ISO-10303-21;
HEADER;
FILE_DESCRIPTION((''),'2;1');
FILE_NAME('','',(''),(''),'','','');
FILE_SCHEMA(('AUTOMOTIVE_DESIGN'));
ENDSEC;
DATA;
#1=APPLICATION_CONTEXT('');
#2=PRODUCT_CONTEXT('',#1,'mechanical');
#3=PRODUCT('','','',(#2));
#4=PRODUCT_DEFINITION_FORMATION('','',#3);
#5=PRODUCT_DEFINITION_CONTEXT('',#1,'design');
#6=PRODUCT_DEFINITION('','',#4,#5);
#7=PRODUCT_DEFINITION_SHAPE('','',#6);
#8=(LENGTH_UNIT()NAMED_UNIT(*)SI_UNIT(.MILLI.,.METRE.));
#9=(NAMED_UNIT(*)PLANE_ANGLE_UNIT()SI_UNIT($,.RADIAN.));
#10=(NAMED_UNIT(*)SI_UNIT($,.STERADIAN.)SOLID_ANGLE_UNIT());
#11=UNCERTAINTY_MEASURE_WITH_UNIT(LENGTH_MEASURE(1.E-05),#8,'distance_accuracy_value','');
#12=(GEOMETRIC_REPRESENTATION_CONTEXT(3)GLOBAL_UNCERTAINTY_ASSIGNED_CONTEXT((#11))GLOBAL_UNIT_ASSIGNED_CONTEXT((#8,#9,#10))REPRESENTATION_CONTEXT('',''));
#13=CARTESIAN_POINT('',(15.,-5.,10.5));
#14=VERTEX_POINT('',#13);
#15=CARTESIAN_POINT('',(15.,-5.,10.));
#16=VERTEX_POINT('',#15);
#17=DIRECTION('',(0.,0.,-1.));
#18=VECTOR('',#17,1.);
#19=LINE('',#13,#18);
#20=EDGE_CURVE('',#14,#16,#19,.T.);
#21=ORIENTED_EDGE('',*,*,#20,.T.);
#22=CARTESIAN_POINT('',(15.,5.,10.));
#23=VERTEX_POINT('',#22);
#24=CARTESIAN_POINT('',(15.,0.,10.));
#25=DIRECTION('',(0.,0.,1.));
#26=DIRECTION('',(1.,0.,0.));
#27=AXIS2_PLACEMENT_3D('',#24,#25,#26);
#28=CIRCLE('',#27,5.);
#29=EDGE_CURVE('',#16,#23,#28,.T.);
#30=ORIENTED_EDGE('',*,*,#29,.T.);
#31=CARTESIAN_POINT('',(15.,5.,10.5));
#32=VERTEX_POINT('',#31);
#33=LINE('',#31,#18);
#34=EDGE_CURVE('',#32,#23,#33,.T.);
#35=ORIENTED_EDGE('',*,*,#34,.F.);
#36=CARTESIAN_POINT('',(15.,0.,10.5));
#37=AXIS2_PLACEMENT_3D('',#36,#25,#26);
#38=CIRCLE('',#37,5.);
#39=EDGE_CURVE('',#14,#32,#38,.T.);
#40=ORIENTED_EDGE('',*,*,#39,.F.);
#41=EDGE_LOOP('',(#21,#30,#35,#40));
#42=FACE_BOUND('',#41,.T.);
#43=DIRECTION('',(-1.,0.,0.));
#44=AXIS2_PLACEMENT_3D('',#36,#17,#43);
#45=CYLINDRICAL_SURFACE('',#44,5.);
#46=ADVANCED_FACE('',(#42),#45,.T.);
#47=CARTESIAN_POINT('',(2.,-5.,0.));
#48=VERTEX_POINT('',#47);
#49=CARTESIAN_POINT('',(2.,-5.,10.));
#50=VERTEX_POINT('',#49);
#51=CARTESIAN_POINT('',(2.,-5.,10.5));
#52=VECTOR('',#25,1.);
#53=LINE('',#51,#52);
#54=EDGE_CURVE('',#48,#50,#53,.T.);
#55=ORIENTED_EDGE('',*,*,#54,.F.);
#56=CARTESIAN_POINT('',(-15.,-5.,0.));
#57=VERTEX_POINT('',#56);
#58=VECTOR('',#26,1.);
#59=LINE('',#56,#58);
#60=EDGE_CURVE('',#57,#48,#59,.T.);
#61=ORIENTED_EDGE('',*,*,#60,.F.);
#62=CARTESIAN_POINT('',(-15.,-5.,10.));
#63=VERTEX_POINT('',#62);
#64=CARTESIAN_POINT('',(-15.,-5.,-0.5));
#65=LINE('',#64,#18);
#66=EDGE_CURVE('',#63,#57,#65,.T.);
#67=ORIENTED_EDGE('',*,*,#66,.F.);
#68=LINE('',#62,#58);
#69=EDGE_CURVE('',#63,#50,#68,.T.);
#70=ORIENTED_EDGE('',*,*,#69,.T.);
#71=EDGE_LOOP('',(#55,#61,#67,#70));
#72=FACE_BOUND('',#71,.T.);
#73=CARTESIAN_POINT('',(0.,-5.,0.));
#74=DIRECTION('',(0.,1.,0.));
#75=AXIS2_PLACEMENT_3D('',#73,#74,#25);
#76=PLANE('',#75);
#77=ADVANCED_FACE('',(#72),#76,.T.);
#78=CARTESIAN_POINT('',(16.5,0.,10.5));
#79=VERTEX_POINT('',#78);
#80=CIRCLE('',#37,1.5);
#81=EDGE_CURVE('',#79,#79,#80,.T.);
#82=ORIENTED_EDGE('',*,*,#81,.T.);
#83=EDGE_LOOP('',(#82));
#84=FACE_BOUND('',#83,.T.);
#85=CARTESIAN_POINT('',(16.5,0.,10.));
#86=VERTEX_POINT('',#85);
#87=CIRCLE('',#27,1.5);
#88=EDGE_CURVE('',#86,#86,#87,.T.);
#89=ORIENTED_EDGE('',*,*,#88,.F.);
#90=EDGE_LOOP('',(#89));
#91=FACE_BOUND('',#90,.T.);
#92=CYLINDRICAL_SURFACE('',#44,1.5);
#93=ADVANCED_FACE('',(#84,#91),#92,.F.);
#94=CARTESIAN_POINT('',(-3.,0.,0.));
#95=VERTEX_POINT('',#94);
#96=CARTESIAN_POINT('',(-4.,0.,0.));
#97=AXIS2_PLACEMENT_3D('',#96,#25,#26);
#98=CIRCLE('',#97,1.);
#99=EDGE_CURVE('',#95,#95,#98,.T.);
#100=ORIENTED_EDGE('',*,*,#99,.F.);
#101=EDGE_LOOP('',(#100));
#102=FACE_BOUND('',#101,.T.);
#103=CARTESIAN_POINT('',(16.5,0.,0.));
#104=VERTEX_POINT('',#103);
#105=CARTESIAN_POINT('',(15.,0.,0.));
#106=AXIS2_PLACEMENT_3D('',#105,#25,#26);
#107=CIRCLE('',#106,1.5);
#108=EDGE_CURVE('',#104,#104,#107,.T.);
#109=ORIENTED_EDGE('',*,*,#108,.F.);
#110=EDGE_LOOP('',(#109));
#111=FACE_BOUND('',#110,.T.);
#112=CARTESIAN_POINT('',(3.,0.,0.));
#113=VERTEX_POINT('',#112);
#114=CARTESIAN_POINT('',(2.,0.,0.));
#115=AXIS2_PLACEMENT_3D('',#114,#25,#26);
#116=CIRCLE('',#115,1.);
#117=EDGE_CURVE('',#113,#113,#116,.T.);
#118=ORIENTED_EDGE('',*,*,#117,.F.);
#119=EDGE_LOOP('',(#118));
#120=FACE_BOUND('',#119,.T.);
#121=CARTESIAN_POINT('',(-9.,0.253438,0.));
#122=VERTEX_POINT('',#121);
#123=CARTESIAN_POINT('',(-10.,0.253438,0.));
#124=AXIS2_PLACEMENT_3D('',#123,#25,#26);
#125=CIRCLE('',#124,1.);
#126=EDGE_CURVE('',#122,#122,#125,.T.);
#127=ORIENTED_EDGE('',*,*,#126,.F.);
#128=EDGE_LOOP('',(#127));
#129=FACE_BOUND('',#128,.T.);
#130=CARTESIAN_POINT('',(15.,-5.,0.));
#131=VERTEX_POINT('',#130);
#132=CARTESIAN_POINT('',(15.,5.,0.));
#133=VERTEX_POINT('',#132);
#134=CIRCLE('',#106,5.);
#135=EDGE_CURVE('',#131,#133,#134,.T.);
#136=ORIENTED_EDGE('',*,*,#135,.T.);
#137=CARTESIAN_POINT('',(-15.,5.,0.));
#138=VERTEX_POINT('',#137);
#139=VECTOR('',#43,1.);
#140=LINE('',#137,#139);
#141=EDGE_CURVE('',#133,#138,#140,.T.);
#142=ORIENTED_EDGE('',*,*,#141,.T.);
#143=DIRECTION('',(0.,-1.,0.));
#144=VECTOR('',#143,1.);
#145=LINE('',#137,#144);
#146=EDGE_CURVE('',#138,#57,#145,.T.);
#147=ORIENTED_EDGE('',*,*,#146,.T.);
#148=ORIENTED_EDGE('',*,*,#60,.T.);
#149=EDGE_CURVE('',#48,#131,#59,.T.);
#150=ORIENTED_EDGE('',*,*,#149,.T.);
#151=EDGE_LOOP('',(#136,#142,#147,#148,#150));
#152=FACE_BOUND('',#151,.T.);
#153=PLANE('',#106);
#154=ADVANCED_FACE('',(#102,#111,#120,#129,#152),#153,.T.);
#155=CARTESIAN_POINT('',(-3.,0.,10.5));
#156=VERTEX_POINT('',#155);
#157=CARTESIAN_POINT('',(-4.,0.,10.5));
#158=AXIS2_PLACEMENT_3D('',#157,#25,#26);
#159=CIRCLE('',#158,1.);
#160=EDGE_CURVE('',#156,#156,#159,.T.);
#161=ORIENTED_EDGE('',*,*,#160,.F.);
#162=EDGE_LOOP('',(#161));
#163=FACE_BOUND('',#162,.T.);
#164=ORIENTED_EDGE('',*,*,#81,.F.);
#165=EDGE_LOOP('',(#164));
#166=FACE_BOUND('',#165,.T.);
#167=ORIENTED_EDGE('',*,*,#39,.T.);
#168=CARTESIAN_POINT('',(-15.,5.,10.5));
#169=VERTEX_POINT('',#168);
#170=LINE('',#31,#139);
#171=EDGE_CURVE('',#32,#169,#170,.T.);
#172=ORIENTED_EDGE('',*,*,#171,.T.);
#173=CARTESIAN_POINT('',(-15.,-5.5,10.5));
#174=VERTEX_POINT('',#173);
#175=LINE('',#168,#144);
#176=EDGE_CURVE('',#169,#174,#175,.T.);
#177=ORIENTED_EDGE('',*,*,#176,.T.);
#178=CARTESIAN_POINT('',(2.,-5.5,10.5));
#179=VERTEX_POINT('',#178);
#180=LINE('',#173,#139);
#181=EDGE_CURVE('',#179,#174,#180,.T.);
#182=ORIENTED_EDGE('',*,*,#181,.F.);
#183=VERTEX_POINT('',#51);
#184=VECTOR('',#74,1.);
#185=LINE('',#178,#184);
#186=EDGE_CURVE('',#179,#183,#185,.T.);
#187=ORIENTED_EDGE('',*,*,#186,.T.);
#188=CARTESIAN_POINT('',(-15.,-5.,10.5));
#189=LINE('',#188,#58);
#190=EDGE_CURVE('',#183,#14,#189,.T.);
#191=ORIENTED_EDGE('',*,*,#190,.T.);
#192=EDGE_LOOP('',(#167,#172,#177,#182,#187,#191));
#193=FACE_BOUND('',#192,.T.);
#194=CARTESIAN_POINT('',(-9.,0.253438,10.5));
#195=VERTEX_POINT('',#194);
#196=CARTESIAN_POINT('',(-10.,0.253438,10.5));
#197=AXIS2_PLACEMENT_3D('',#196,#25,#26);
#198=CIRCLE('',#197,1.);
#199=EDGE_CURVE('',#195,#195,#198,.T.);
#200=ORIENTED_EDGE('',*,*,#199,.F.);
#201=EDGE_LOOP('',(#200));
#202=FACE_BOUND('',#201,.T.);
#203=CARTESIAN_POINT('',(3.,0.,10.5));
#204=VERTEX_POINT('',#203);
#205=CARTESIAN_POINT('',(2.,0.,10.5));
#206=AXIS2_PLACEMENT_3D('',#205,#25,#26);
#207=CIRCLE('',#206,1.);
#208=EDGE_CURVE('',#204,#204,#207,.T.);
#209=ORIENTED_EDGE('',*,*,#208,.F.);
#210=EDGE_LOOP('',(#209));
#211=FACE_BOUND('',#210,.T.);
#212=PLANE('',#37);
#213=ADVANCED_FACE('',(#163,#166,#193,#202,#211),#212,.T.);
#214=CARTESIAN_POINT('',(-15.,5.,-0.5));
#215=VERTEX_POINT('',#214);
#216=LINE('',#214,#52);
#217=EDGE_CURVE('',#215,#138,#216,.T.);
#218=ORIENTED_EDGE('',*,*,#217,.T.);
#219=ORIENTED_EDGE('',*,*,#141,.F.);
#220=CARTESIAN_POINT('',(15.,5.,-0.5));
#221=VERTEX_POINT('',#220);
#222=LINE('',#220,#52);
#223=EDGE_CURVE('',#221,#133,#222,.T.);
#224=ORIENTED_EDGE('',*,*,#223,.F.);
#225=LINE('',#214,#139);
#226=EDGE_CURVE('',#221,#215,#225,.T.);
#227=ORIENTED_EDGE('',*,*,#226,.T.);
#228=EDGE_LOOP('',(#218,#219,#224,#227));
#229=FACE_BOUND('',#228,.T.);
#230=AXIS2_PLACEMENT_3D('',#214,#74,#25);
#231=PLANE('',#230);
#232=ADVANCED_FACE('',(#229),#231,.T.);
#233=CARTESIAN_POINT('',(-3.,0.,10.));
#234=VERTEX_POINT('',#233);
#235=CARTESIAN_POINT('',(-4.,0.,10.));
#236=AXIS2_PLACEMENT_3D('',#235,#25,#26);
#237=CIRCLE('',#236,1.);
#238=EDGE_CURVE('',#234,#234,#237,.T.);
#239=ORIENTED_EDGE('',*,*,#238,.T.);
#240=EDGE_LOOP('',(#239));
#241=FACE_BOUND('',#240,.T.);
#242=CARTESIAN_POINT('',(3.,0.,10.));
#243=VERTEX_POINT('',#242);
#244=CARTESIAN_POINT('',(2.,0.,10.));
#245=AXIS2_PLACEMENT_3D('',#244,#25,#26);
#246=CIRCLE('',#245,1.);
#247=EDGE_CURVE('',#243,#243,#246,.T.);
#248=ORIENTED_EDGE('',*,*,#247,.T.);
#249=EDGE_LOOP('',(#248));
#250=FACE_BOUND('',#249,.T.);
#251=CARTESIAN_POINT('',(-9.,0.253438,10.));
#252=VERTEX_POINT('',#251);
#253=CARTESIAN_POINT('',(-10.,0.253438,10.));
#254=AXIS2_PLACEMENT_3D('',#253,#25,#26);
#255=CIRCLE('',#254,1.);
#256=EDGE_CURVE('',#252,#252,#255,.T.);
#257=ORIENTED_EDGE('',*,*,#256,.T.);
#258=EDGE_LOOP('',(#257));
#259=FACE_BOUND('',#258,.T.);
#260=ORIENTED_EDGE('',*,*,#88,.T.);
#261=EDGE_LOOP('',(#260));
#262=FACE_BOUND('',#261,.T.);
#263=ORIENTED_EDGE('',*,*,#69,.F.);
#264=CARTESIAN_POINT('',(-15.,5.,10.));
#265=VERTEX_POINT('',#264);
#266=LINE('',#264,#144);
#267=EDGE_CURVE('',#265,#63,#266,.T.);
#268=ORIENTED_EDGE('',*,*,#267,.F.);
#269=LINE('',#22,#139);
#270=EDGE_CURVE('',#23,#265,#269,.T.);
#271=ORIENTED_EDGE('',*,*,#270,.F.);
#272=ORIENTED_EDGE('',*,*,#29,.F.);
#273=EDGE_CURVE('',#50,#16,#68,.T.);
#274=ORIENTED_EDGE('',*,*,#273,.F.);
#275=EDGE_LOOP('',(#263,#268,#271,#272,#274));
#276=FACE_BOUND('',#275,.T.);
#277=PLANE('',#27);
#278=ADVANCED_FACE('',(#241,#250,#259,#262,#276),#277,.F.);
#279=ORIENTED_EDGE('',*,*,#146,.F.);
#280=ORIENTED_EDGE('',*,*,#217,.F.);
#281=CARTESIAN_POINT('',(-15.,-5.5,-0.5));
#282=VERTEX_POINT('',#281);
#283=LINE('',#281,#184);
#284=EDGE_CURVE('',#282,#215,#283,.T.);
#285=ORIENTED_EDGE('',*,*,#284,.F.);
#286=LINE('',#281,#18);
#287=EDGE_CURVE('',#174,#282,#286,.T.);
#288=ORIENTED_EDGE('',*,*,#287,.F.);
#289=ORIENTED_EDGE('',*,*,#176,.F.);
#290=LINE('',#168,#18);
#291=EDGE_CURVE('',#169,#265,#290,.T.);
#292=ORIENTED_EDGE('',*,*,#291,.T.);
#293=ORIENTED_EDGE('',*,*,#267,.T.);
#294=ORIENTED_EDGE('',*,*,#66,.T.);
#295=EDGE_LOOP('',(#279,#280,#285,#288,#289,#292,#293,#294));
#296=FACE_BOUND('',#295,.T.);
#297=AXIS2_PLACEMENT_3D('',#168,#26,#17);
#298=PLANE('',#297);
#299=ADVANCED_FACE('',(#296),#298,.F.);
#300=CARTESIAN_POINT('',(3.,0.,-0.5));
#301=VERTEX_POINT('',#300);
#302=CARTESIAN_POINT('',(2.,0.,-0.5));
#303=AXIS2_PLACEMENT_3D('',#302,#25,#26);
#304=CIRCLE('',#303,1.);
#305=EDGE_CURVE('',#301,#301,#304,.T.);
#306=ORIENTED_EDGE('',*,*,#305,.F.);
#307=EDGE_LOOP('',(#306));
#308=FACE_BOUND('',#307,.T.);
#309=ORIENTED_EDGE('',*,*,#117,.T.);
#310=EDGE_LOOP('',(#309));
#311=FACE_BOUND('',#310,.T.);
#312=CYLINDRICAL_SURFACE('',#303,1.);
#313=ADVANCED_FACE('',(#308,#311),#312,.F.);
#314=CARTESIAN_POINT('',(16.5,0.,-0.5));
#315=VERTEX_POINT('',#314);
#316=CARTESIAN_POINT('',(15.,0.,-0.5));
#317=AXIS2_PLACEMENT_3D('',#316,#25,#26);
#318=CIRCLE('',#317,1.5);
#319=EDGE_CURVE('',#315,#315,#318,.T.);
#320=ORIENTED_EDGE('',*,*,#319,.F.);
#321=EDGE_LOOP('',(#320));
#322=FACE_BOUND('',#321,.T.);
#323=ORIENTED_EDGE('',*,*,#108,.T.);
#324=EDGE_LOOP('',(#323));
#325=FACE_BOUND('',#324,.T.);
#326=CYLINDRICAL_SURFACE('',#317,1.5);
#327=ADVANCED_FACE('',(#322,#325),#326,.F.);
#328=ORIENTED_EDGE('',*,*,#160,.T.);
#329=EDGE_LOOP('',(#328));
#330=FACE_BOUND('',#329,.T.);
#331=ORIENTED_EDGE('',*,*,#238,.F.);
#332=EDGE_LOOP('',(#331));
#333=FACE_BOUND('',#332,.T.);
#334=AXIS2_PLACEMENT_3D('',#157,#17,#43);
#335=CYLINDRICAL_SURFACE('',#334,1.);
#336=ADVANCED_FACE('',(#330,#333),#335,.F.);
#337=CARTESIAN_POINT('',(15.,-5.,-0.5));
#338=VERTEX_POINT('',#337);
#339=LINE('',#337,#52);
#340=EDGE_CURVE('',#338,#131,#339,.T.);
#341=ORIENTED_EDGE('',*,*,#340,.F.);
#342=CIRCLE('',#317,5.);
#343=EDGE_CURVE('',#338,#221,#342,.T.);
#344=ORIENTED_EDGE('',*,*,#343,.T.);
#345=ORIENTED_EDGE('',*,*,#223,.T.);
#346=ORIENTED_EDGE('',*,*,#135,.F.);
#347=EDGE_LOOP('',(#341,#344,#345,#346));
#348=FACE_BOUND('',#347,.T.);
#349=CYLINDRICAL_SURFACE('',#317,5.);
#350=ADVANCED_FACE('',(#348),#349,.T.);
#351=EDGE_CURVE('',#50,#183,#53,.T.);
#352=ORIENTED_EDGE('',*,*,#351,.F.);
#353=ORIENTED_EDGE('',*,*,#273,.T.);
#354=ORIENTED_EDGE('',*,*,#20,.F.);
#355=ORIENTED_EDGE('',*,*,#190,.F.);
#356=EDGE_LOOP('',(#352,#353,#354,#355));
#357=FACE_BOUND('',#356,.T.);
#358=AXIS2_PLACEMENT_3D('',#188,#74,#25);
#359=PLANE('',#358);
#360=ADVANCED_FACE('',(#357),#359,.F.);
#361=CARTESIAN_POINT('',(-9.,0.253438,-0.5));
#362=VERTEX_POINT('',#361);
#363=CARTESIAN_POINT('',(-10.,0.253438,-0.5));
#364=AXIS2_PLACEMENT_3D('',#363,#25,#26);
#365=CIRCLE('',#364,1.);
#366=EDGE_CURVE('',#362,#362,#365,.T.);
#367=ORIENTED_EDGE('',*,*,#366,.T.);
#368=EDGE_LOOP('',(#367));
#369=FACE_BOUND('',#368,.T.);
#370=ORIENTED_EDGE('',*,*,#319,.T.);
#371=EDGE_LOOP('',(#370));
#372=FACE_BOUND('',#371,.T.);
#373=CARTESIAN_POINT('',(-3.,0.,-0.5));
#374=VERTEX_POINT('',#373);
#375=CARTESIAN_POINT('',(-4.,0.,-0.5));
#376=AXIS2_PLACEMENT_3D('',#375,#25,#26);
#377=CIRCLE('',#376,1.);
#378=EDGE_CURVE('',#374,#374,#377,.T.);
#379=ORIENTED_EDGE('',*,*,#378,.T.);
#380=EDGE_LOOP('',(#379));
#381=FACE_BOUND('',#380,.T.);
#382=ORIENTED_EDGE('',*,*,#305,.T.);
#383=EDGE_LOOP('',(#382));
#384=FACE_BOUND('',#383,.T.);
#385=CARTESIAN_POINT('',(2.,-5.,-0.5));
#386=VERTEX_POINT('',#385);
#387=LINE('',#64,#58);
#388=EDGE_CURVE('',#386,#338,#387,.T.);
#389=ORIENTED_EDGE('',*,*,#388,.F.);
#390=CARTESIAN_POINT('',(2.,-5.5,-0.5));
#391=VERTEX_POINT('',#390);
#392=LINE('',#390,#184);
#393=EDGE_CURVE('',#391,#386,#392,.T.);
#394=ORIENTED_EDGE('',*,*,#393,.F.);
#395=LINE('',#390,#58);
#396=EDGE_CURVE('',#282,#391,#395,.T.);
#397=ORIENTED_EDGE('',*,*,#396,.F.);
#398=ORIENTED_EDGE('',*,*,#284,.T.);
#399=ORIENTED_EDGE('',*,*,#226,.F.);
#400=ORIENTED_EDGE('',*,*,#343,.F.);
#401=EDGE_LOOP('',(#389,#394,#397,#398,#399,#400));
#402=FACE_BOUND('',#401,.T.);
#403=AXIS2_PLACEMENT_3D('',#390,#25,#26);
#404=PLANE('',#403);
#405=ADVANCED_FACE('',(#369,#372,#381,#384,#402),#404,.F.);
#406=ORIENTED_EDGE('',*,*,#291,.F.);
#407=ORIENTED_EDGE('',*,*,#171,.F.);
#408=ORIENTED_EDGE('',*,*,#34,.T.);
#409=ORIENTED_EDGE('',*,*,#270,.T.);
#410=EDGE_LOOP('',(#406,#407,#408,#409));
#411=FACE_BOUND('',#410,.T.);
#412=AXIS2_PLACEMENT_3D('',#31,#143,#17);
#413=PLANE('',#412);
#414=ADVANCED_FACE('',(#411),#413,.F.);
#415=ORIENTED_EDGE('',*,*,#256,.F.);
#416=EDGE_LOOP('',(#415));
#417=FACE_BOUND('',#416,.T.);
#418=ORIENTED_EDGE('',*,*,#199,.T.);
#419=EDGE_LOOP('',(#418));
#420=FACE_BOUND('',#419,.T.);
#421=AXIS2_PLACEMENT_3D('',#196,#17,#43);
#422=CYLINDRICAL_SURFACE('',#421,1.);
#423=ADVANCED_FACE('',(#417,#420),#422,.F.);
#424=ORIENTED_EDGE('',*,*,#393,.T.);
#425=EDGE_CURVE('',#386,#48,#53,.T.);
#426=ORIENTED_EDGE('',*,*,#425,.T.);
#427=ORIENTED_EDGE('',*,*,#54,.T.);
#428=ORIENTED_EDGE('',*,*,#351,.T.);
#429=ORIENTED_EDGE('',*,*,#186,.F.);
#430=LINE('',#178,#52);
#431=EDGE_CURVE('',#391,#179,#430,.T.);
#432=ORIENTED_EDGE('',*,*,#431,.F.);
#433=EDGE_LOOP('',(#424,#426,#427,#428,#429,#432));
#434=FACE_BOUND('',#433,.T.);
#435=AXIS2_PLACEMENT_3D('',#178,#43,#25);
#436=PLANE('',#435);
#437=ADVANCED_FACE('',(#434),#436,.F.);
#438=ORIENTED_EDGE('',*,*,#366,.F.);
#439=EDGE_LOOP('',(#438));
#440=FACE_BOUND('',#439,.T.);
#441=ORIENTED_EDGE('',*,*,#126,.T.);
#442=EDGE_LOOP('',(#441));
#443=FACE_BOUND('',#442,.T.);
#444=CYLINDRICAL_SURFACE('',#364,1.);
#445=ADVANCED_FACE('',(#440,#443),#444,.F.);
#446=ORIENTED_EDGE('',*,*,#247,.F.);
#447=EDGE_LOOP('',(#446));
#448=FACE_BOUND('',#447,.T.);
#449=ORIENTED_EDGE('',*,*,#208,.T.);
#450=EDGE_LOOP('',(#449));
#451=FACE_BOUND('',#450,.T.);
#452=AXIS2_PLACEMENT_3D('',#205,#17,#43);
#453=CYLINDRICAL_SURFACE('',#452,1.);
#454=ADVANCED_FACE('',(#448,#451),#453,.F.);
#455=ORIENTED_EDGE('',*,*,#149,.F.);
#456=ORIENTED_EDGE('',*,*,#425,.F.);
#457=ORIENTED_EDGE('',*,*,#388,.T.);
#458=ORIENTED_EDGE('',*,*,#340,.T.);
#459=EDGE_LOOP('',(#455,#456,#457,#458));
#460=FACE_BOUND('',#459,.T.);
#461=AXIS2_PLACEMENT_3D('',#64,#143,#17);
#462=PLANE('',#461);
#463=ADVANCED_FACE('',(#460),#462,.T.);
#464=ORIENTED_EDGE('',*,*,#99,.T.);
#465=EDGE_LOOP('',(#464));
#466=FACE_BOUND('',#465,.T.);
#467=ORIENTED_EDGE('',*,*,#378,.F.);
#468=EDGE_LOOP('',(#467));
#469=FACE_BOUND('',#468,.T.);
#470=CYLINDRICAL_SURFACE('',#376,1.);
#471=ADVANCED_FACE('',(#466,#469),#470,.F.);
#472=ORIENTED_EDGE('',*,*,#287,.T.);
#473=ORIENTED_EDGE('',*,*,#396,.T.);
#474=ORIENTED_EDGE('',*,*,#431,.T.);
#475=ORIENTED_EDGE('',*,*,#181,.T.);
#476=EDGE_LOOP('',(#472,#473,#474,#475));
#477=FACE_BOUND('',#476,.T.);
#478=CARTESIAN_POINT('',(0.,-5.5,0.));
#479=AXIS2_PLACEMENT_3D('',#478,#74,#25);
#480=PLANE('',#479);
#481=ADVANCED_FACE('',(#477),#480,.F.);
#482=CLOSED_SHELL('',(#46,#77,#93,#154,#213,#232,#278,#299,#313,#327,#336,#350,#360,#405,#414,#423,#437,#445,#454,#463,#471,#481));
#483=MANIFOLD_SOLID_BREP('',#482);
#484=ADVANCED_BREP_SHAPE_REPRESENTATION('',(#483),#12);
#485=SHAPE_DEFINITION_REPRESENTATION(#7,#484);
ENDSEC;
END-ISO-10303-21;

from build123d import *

# Parameters (mm, degrees)
SKETCH_2_R      = 1.5
SKETCH_2_R_2    = 1
EXTRUDE_1_DEPTH = 0.5
SKETCH_1_R      = 1.5
SKETCH_1_R_2    = 1
EXTRUDE_2_DEPTH = 0.5
SKETCH_3_W      = 17
SKETCH_3_H      = 11
EXTRUDE_3_DEPTH = 0.5


with BuildPart() as part:
    # 草图2 → 凸台-拉伸1 (new body)
    with BuildSketch(Plane.XY.offset(10)):
        with BuildLine():
            Line((15, 5), (-15, 5))
            Line((-15, 5), (-15, -5))
            Line((-15, -5), (15, -5))
            ThreePointArc((15, -5), (20, 0), (15, 5))
        make_face()
        with Locations((15, 0)):
            Circle(SKETCH_2_R, mode=Mode.SUBTRACT)
        with Locations((2, 0)):
            Circle(SKETCH_2_R_2, mode=Mode.SUBTRACT)
        with Locations((-4, 0)):
            Circle(SKETCH_2_R_2, mode=Mode.SUBTRACT)
        with Locations((-10, 0.253438211)):
            Circle(SKETCH_2_R_2, mode=Mode.SUBTRACT)
    extrude(amount=EXTRUDE_1_DEPTH)



with BuildPart() as body_2:
    # 草图1 → 凸台-拉伸2 (new body)
    with BuildSketch(Plane.XY):
        with BuildLine():
            Line((-15, 5), (15, 5))
            ThreePointArc((15, 5), (20, 0), (15, -5))
            Line((15, -5), (-15, -5))
            Line((-15, -5), (-15, 5))
        make_face()
        with Locations((15, 0)):
            Circle(SKETCH_1_R, mode=Mode.SUBTRACT)
        with Locations((-10, 0.253438211)):
            Circle(SKETCH_1_R_2, mode=Mode.SUBTRACT)
        with Locations((-4, 0)):
            Circle(SKETCH_1_R_2, mode=Mode.SUBTRACT)
        with Locations((2, 0)):
            Circle(SKETCH_1_R_2, mode=Mode.SUBTRACT)
    extrude(amount=-EXTRUDE_2_DEPTH)


with BuildPart() as part_1:
    add(part.part)

    add(body_2.part)  # 凸台-拉伸3 merges body 2
    # 草图3 → 凸台-拉伸3 (add)
    with BuildSketch(Plane(origin=(0, -5, 0), x_dir=(-1, 0, 0), z_dir=(0, -1, 0))):
        with Locations((6.5, -5)):
            Rectangle(SKETCH_3_W, SKETCH_3_H)
    extrude(amount=EXTRUDE_3_DEPTH)


solid = part_1.part
